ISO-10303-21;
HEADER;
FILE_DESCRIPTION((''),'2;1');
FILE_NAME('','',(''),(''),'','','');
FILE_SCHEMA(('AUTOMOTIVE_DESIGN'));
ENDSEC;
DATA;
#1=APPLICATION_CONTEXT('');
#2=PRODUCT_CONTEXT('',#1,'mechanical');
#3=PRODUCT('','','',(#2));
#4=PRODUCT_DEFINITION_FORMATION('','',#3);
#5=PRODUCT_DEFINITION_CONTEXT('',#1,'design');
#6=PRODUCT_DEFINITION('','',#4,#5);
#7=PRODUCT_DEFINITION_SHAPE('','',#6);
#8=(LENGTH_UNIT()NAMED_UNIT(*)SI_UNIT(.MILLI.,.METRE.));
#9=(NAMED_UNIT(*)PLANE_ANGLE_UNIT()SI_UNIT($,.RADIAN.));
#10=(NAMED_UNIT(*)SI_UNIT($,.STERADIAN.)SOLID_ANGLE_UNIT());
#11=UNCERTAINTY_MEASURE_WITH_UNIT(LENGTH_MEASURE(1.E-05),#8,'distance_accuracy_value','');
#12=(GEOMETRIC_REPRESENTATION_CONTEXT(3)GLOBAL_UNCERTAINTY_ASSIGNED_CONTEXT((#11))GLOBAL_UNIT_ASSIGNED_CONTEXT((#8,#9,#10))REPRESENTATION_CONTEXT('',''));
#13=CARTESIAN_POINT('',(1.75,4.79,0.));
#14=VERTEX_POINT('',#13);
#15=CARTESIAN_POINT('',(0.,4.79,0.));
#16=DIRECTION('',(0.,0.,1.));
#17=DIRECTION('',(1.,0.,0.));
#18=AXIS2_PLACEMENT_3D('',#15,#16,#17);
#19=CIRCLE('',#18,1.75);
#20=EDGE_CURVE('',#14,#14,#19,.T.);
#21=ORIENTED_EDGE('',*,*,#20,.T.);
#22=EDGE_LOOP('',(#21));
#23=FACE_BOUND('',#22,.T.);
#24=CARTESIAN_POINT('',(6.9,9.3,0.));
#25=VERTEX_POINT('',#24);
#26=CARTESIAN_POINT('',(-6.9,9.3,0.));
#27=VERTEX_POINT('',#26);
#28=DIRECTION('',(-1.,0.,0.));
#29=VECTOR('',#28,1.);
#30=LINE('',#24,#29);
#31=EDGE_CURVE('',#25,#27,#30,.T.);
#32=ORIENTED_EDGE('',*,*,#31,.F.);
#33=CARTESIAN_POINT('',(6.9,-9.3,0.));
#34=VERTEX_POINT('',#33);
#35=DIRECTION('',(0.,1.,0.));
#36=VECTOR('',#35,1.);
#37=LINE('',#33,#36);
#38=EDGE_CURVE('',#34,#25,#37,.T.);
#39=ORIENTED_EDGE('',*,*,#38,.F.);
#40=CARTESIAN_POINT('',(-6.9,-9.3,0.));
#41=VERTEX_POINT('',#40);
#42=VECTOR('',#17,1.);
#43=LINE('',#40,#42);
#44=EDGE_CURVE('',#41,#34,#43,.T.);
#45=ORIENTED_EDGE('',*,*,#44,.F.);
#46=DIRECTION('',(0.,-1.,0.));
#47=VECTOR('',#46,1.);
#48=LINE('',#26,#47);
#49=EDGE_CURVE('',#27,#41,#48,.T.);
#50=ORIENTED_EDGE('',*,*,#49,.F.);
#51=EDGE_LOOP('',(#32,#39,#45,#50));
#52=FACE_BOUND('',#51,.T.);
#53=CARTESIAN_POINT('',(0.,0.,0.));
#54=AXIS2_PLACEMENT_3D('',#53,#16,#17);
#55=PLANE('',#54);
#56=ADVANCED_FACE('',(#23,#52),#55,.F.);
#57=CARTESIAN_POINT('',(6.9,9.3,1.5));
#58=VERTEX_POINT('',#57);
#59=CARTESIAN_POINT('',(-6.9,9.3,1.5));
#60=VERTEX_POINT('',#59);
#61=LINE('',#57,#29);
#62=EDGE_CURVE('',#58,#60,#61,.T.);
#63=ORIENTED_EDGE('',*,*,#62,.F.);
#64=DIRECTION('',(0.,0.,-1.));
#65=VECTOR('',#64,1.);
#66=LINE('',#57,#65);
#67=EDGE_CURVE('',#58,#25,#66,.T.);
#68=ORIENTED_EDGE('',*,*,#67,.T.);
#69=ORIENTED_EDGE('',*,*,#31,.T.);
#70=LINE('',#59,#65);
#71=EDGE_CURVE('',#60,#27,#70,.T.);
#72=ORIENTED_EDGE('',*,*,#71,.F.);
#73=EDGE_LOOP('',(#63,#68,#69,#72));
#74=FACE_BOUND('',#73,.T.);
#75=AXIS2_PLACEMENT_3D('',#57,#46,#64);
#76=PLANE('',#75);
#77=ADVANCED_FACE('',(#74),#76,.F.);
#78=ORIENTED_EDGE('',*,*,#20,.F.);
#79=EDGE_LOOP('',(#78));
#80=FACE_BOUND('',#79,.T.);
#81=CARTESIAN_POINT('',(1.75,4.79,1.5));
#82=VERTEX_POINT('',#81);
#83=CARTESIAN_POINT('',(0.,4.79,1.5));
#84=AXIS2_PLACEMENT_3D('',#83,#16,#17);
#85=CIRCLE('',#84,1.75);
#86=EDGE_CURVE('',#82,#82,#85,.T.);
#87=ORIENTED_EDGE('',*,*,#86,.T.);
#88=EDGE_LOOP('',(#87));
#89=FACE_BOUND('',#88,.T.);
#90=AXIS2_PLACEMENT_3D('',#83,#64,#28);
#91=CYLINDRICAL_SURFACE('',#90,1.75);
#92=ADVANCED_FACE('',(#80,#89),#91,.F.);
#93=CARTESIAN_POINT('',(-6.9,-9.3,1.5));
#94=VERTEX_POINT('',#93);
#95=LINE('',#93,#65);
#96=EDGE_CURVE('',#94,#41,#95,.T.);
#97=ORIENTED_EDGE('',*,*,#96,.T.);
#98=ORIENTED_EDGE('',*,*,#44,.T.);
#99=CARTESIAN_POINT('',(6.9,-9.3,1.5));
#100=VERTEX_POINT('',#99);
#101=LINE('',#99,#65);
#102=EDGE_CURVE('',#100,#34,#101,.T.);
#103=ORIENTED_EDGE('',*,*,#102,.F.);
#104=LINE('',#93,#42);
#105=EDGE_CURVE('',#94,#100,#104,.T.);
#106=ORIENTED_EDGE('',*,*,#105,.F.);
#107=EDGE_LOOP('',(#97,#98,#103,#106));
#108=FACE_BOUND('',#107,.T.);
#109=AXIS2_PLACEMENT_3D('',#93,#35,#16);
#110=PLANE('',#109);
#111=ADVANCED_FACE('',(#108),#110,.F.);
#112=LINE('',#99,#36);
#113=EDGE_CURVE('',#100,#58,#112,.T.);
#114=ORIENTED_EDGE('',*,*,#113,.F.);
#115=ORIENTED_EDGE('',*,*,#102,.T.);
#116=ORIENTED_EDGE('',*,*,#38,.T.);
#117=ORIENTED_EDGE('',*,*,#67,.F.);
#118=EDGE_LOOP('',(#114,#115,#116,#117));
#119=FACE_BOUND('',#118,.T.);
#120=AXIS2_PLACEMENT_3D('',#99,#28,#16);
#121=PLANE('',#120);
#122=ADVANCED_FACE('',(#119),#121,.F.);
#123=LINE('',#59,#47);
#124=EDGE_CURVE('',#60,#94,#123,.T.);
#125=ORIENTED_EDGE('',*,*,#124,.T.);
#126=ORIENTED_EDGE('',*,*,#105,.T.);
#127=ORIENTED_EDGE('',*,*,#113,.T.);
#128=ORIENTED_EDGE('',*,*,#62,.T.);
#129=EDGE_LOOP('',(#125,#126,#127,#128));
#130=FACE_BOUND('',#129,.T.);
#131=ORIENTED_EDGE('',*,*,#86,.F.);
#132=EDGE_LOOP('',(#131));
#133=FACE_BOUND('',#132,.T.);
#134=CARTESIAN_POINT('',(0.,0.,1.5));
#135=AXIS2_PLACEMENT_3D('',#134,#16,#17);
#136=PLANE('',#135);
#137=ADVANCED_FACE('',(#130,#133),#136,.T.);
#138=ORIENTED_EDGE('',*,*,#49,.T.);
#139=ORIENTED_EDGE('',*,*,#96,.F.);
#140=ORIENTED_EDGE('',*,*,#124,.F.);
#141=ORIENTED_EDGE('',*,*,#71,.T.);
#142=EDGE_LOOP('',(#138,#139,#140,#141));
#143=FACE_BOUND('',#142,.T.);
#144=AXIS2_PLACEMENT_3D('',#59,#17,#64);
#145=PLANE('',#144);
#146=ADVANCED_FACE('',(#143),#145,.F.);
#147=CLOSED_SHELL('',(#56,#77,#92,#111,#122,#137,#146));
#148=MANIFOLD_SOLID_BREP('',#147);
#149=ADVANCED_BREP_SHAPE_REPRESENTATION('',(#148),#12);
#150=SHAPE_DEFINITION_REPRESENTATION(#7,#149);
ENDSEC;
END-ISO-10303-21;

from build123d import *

# Parameters (mm, degrees)
SKETCH_1_W      = 13.8
SKETCH_1_H      = 18.6
SKETCH_1_R      = 1.75
EXTRUDE_2_DEPTH = 1.5


with BuildPart() as part:
    # Эскиз1 → Бобышка-Вытянуть2 (new body)
    with BuildSketch(Plane(origin=(0, 0, 0), x_dir=(-1, 0, 0), z_dir=(0, 0, 1))):
        Rectangle(SKETCH_1_W, SKETCH_1_H)
        with Locations((0, -4.79)):
            Circle(SKETCH_1_R, mode=Mode.SUBTRACT)
    extrude(amount=EXTRUDE_2_DEPTH)


solid = part.part
